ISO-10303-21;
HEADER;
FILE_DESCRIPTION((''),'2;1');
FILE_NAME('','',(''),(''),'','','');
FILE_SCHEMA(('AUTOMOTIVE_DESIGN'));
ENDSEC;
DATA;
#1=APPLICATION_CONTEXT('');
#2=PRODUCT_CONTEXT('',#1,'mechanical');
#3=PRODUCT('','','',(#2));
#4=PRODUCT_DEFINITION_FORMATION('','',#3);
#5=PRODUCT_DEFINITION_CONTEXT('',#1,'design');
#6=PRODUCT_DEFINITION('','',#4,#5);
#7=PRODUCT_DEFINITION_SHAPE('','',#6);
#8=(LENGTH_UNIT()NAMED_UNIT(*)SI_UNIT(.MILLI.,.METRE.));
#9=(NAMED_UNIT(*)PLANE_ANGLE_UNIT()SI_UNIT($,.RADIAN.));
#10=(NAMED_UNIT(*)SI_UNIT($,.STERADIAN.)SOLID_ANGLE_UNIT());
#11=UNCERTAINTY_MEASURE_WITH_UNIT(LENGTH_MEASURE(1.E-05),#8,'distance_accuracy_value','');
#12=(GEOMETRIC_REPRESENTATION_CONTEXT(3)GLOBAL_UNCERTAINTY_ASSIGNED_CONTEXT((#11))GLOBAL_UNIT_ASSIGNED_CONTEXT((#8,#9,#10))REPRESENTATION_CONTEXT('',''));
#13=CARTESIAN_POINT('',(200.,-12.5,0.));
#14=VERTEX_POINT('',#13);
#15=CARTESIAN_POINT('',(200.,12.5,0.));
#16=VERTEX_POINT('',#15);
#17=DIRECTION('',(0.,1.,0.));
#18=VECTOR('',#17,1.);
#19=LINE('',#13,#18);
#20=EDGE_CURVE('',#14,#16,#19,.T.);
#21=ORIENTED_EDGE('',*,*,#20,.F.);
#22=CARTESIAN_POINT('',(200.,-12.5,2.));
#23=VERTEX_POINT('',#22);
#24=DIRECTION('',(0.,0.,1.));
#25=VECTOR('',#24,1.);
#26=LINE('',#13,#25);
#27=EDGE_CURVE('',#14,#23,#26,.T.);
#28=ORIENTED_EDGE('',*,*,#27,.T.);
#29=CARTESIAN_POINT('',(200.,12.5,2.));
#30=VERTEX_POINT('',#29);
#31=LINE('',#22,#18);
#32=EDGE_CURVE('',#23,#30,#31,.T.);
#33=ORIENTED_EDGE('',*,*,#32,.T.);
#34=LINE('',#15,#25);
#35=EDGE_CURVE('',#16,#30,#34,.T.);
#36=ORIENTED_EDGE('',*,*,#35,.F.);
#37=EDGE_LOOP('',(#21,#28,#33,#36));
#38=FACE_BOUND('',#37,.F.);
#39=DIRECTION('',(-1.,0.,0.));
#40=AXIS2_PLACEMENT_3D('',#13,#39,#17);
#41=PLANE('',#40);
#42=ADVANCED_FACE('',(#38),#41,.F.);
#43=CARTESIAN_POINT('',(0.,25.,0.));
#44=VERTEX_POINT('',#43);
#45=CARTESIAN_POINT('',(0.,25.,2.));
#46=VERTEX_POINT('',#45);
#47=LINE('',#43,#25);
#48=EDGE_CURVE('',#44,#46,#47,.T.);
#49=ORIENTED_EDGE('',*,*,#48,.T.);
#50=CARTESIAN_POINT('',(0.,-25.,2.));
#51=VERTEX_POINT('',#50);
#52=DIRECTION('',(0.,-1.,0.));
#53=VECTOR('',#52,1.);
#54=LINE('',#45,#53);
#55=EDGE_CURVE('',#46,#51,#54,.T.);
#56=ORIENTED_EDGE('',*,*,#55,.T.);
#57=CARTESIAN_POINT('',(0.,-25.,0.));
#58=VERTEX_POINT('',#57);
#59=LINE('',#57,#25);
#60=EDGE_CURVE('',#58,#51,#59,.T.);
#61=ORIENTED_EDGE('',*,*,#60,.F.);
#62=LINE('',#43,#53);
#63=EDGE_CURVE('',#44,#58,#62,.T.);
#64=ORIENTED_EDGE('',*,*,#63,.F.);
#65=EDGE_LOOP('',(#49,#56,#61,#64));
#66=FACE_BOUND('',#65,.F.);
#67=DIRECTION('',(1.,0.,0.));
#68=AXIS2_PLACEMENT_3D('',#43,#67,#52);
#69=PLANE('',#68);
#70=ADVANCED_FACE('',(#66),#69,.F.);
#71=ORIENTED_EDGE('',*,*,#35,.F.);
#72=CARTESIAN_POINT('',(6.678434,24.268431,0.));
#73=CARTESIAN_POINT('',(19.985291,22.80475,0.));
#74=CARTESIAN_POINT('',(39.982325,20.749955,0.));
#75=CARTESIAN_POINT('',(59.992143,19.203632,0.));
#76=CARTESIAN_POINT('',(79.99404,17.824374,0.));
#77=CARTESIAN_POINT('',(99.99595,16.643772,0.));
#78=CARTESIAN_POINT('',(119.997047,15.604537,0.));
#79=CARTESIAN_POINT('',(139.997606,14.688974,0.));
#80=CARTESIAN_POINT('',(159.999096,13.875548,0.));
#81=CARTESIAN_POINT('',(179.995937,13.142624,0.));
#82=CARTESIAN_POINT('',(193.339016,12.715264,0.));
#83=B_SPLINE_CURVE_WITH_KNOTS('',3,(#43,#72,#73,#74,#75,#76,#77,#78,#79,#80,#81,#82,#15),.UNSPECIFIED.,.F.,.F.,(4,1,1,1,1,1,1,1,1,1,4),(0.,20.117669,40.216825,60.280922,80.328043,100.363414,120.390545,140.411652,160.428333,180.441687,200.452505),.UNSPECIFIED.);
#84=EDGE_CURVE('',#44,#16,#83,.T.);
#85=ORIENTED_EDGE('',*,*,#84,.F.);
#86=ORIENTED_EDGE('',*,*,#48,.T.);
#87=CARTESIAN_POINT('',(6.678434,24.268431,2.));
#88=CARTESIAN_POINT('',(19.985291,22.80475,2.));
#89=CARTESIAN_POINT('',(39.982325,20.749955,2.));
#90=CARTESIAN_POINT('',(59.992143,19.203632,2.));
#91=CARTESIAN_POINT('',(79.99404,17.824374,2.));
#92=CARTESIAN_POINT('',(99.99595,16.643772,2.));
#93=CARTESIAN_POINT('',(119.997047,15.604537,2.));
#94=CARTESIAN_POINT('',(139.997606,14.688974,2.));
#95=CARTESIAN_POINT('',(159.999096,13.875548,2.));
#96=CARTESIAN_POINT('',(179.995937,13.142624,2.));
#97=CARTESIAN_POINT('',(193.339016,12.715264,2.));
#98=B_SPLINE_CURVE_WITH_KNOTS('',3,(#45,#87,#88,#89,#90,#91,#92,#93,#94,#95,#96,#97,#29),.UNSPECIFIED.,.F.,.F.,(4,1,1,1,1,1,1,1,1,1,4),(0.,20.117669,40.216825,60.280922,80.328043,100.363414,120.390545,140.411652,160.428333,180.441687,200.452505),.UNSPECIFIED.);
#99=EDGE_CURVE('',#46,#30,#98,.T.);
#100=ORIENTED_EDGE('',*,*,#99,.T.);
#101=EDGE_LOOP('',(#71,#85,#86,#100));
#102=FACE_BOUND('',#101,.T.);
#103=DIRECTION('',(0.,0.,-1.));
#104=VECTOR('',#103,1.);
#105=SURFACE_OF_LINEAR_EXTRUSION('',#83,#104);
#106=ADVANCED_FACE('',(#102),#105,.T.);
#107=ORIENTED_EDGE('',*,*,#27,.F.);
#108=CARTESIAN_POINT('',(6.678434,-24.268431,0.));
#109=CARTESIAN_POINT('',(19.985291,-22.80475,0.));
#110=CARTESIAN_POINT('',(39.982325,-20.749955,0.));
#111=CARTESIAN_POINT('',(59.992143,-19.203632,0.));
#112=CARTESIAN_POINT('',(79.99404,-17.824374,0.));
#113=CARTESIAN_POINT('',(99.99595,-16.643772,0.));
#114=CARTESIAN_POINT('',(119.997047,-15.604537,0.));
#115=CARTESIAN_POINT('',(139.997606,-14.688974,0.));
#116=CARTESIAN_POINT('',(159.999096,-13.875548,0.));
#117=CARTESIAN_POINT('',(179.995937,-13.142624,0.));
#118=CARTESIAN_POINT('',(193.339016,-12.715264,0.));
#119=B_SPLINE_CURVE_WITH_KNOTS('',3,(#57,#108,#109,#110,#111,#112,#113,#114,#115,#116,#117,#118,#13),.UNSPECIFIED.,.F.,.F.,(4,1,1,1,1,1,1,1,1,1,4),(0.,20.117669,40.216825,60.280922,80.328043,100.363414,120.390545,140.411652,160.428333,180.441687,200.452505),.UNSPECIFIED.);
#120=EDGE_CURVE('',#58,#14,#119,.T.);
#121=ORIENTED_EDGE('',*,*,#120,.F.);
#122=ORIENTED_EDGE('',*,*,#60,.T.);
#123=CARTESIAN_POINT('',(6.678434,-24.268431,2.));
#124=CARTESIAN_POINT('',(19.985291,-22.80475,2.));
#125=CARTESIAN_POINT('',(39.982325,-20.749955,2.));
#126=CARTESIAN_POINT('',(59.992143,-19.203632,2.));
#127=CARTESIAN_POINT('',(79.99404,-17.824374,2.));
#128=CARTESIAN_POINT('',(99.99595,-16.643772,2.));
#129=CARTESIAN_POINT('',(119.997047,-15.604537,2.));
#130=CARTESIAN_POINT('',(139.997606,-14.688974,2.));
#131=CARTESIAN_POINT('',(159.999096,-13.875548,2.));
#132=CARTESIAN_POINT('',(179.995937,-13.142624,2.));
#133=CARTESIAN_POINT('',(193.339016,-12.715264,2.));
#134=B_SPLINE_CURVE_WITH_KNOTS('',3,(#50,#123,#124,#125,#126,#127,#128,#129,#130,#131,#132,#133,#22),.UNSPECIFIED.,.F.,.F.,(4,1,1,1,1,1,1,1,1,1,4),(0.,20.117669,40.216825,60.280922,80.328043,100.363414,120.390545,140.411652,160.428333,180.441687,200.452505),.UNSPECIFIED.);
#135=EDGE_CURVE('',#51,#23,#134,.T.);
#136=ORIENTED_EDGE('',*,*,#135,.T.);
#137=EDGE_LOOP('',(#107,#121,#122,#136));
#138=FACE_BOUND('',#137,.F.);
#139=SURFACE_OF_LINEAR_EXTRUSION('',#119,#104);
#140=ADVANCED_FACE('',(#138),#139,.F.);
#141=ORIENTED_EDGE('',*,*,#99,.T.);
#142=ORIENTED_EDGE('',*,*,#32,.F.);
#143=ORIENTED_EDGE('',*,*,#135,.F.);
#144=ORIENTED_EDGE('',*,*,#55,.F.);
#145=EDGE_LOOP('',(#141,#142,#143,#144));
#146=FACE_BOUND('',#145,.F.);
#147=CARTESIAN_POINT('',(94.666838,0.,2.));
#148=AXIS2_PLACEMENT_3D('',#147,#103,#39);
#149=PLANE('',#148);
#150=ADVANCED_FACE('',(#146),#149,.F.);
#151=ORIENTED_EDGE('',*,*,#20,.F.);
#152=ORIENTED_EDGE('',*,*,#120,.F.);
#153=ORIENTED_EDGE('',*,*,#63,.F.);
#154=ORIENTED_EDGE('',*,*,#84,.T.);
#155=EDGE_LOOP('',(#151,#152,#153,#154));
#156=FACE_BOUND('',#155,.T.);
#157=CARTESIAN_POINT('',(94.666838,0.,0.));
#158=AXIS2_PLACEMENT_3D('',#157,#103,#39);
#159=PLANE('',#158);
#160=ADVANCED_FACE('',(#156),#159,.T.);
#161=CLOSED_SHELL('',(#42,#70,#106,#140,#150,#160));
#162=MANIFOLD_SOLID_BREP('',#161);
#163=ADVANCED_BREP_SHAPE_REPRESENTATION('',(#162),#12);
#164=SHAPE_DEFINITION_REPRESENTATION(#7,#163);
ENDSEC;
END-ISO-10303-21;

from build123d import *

# Parameters (mm, degrees)
F1_DEPTH = 2


with BuildPart() as f1:
    # F0 (on Top) → F1 (new body)
    with BuildSketch(Plane.XY):
        with BuildLine():
            add(Edge.make_bspline(
                [(0, 25), (6.678434, 24.268431), (19.985291, 22.80475), (39.982325, 20.749955), (59.992143, 19.203632), (79.99404, 17.824374), (99.99595, 16.643772), (119.997047, 15.604537), (139.997606, 14.688974), (159.999096, 13.875548), (179.995937, 13.142624), (193.339016, 12.715264), (200, 12.5)],
                knots=[0, 0, 0, 0, 20.117669, 40.216825, 60.280922, 80.328043, 100.363414, 120.390545, 140.411652, 160.428333, 180.441687, 200.452505, 200.452505, 200.452505, 200.452505], degree=3))
            Line((0, 25), (0, -25))
            add(Edge.make_bspline(
                [(0, -25), (6.678434, -24.268431), (19.985291, -22.80475), (39.982325, -20.749955), (59.992143, -19.203632), (79.99404, -17.824374), (99.99595, -16.643772), (119.997047, -15.604537), (139.997606, -14.688974), (159.999096, -13.875548), (179.995937, -13.142624), (193.339016, -12.715264), (200, -12.5)],
                knots=[0, 0, 0, 0, 20.117669, 40.216825, 60.280922, 80.328043, 100.363414, 120.390545, 140.411652, 160.428333, 180.441687, 200.452505, 200.452505, 200.452505, 200.452505], degree=3))
            Line((200, -12.5), (200, 12.5))
        make_face()
    extrude(amount=F1_DEPTH)


solid = f1.part
